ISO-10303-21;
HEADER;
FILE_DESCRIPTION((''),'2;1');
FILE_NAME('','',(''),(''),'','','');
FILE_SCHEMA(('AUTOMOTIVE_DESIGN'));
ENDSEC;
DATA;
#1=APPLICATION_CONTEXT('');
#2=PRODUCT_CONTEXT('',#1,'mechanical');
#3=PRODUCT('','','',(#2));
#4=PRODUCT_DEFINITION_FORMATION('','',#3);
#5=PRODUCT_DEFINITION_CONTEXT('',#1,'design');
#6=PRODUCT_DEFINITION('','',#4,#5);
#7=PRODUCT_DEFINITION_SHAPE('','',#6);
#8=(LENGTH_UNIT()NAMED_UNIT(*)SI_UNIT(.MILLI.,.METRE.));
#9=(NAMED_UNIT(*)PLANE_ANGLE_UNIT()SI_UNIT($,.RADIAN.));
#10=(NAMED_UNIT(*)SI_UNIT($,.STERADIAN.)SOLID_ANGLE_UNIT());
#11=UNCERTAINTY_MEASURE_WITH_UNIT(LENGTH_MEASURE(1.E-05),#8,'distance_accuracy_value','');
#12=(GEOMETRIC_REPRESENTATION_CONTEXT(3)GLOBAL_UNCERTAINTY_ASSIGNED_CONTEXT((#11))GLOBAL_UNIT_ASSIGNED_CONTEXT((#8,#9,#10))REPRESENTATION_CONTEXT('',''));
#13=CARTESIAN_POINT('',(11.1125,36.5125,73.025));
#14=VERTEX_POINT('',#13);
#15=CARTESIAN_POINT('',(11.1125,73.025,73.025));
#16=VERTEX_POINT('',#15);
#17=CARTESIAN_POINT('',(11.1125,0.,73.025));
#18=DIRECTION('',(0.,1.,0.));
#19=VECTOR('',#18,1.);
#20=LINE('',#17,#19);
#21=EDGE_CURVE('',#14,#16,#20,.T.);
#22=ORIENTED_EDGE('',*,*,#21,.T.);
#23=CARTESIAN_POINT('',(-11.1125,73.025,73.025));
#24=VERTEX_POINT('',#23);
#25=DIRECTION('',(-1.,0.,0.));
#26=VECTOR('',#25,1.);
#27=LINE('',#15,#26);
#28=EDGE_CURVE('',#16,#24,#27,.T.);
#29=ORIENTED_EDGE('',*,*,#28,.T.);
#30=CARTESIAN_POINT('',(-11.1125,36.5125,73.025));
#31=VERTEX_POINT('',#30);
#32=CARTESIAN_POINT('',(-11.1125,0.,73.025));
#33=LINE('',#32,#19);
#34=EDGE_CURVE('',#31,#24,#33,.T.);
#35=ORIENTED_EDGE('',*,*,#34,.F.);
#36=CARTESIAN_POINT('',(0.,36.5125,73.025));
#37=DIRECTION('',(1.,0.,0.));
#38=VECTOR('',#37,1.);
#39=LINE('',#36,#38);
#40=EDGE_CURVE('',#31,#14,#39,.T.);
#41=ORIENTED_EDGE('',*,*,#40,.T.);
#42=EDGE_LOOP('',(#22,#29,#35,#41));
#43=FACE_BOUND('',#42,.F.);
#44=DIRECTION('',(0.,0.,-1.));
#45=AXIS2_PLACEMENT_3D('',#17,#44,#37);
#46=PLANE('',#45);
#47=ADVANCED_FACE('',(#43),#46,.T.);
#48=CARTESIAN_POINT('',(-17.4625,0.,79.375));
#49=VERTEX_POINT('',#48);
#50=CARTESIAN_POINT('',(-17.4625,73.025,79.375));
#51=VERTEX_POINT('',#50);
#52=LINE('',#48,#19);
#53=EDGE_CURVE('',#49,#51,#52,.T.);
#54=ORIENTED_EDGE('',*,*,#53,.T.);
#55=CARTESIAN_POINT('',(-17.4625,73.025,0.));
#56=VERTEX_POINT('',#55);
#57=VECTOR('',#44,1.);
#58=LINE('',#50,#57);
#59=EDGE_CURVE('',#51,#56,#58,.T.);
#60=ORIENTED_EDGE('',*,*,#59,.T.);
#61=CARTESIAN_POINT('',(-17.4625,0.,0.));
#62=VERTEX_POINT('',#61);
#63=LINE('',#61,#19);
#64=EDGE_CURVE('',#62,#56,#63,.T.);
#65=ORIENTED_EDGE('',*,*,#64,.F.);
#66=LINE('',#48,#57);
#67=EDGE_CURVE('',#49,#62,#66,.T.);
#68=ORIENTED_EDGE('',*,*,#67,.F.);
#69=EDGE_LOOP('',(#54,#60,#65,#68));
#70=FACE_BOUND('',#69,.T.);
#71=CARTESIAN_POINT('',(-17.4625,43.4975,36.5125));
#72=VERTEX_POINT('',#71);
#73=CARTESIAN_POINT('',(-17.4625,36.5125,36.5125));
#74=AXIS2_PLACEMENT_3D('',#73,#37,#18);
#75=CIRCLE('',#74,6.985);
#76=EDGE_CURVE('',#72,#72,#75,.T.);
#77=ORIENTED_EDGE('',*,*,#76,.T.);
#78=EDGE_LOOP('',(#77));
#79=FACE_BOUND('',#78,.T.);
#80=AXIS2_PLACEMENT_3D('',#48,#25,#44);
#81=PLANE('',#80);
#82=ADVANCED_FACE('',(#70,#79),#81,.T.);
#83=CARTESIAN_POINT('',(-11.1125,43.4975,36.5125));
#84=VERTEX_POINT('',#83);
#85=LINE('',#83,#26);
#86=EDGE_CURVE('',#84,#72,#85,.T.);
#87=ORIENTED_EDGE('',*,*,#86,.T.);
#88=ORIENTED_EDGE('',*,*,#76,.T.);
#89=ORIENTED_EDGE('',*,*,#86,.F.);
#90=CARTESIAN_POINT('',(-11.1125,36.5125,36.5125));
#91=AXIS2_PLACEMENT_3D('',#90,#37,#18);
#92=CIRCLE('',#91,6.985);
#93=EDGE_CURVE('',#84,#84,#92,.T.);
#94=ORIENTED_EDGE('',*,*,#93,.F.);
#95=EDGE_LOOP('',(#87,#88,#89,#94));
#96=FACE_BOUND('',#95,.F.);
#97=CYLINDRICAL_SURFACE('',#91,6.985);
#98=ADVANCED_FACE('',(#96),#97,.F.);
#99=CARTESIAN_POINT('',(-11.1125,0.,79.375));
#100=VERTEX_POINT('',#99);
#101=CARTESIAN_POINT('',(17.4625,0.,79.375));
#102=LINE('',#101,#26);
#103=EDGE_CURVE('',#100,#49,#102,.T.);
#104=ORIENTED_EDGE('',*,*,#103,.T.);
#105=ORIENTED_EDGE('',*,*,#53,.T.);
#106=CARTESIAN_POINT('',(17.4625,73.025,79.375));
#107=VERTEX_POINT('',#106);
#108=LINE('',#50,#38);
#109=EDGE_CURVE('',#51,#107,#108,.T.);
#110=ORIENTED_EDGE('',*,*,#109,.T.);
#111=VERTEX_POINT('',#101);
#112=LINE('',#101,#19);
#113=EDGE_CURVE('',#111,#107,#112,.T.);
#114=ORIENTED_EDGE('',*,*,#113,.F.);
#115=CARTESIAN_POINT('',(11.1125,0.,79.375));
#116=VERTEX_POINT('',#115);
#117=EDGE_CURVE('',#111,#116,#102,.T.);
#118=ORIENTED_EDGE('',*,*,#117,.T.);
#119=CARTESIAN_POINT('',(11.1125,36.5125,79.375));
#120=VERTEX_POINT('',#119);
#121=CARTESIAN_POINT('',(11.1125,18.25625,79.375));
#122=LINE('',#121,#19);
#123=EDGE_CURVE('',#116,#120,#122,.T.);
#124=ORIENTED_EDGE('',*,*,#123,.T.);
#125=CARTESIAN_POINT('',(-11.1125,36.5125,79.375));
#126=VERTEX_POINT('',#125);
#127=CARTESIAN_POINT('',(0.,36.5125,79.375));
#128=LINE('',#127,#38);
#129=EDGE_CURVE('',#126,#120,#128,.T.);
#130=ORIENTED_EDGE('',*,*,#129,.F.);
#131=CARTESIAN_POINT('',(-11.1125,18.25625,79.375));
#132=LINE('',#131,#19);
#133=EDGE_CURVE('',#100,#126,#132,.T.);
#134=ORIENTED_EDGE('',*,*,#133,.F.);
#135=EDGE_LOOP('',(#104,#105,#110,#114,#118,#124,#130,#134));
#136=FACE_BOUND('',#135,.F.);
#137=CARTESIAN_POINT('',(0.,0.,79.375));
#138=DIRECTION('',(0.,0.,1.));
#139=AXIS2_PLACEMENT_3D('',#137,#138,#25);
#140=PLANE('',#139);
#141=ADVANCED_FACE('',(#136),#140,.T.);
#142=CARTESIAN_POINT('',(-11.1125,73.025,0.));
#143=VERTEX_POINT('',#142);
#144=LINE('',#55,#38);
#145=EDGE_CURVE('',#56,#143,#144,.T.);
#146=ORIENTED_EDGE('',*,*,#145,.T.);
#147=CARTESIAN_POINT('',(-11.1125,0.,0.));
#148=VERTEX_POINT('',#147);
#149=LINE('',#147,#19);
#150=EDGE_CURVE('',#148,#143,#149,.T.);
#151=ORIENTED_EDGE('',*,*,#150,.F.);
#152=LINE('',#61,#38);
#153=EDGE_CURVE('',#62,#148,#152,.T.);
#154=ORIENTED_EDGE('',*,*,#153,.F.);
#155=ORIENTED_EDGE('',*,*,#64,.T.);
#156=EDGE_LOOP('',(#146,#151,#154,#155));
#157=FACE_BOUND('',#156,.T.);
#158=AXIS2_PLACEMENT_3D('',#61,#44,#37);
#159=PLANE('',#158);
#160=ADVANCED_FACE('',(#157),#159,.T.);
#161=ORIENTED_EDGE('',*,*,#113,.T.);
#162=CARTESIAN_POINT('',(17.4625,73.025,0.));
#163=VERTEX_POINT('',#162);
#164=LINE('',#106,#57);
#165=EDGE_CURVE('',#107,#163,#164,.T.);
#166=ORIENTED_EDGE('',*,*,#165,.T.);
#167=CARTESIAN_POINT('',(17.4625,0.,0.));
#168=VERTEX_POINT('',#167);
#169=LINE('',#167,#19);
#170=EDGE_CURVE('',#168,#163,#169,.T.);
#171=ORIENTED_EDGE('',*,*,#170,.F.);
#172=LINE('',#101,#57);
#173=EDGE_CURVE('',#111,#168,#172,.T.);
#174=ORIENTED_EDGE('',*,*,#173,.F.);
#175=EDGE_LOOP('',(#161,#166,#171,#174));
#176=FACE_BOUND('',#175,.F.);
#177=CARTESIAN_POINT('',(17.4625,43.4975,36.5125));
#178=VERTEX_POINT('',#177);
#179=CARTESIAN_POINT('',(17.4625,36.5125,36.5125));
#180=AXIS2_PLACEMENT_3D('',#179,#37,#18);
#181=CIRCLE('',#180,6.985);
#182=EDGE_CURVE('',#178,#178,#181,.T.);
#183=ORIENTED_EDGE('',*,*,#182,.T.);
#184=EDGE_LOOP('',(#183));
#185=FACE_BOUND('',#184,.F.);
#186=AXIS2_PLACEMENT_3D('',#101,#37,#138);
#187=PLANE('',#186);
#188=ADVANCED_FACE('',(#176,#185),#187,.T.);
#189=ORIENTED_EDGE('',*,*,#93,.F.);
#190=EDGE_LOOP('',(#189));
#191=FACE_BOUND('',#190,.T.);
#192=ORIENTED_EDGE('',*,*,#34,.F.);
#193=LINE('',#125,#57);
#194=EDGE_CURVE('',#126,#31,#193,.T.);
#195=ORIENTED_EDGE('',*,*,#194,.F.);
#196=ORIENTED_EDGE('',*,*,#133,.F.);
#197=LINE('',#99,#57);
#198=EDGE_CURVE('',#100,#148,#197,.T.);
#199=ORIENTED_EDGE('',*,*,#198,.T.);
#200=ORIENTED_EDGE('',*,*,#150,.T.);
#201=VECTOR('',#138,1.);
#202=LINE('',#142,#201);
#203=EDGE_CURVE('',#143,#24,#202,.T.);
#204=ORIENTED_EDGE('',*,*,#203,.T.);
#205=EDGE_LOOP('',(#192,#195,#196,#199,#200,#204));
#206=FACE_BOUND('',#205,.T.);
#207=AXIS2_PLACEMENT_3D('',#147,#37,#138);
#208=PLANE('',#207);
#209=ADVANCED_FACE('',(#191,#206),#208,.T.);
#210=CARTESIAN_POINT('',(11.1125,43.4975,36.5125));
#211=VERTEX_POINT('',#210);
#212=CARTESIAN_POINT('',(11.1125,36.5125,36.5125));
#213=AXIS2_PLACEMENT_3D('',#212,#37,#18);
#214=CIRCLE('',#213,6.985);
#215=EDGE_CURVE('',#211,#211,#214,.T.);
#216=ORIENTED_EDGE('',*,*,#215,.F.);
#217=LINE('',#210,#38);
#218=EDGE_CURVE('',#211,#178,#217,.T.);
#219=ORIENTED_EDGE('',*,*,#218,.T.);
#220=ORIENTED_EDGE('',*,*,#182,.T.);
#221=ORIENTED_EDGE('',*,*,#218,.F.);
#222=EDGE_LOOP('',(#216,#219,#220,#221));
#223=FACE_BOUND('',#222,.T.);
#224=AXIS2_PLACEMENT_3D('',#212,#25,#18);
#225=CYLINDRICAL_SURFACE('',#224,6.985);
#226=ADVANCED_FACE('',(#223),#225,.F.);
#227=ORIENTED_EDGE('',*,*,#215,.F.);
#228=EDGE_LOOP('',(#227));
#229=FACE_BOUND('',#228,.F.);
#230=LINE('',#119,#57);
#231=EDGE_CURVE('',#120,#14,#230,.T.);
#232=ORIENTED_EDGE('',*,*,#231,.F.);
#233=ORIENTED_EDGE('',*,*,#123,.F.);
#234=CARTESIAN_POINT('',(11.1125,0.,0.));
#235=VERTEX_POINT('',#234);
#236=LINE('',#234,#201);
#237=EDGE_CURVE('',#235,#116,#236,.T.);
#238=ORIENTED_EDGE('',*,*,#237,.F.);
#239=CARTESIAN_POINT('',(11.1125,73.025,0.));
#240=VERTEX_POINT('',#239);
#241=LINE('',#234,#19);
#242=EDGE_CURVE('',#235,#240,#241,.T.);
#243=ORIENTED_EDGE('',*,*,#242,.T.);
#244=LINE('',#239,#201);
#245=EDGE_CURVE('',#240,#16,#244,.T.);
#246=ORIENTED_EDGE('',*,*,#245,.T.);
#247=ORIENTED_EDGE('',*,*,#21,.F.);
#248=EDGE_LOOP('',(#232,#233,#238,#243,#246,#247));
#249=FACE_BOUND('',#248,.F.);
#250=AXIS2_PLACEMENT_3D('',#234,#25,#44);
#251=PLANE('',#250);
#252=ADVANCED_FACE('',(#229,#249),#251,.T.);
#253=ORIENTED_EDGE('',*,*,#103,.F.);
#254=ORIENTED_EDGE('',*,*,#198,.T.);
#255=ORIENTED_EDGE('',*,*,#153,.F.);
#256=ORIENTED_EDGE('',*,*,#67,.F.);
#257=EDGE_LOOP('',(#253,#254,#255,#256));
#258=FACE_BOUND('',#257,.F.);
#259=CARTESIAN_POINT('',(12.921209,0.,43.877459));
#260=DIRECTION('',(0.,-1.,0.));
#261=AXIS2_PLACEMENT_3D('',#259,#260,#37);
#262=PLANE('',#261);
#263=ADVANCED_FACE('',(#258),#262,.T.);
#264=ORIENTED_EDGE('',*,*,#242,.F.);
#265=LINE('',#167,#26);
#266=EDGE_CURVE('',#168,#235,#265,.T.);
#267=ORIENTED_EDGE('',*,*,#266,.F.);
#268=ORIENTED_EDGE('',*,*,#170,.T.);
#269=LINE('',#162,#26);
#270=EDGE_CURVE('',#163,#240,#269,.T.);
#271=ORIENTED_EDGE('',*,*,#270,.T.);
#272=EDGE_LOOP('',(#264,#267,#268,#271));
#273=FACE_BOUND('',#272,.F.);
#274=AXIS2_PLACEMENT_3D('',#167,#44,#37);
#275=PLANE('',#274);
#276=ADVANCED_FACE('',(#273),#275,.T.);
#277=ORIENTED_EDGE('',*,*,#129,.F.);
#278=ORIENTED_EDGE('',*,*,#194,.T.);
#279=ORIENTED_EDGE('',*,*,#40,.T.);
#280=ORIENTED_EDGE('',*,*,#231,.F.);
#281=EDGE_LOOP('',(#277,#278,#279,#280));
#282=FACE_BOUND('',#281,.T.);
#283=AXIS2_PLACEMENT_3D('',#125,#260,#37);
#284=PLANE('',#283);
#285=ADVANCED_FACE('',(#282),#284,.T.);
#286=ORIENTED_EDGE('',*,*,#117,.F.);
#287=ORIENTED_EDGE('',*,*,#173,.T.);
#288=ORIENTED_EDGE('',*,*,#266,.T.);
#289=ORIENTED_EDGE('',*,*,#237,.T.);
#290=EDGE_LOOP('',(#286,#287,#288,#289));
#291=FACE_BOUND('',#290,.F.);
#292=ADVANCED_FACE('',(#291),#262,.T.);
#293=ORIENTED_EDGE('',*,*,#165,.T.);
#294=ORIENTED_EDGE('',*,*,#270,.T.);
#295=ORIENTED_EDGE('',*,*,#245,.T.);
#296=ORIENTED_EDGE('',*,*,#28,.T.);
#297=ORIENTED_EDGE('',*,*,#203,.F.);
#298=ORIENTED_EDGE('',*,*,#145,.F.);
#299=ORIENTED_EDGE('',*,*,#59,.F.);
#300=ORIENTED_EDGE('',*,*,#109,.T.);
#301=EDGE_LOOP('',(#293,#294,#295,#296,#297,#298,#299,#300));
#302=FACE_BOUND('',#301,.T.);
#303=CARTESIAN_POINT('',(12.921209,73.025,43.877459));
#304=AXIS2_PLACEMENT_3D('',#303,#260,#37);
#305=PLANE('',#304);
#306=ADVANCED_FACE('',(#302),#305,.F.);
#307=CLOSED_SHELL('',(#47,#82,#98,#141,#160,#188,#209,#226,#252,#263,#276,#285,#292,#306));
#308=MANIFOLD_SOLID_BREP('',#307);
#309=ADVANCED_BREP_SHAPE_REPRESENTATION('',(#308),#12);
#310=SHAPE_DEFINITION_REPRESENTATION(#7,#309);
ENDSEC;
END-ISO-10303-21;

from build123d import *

# Parameters (mm, degrees)
F1_DEPTH = 73.025
F2_R     = 6.985
F3_DEPTH = 25.4
F5_W     = 22.225
F5_H     = 36.5125
F6_DEPTH = 25.4


with BuildPart() as f1:
    # F0 (on Front) → F1 (new body)
    with BuildSketch(Plane.XZ):
        Polygon((-17.4625, 0), (-11.1125, 0), (-11.1125, 73.025), (0, 73.025), (0, 79.375), (-17.4625, 79.375), align=None)
    extrude(amount=-F1_DEPTH)

    # F2 (on face) → F3 (cut)
    with BuildSketch(Plane.YZ.offset(-11.1125)):
        with Locations((36.5125, 36.5125)):
            Circle(F2_R)
    extrude(amount=-F3_DEPTH, mode=Mode.SUBTRACT)

    # F4: F1 across plane


with BuildPart() as f1_1:
    add(f1.part)
    add(f1.part.mirror(Plane.YZ))

    # F5 (on face) → F6 (cut)
    with BuildSketch(Plane.XY.offset(79.375)):
        with Locations((0, 18.25625)):
            Rectangle(F5_W, F5_H)
    extrude(amount=-F6_DEPTH, mode=Mode.SUBTRACT)


solid = f1_1.part
